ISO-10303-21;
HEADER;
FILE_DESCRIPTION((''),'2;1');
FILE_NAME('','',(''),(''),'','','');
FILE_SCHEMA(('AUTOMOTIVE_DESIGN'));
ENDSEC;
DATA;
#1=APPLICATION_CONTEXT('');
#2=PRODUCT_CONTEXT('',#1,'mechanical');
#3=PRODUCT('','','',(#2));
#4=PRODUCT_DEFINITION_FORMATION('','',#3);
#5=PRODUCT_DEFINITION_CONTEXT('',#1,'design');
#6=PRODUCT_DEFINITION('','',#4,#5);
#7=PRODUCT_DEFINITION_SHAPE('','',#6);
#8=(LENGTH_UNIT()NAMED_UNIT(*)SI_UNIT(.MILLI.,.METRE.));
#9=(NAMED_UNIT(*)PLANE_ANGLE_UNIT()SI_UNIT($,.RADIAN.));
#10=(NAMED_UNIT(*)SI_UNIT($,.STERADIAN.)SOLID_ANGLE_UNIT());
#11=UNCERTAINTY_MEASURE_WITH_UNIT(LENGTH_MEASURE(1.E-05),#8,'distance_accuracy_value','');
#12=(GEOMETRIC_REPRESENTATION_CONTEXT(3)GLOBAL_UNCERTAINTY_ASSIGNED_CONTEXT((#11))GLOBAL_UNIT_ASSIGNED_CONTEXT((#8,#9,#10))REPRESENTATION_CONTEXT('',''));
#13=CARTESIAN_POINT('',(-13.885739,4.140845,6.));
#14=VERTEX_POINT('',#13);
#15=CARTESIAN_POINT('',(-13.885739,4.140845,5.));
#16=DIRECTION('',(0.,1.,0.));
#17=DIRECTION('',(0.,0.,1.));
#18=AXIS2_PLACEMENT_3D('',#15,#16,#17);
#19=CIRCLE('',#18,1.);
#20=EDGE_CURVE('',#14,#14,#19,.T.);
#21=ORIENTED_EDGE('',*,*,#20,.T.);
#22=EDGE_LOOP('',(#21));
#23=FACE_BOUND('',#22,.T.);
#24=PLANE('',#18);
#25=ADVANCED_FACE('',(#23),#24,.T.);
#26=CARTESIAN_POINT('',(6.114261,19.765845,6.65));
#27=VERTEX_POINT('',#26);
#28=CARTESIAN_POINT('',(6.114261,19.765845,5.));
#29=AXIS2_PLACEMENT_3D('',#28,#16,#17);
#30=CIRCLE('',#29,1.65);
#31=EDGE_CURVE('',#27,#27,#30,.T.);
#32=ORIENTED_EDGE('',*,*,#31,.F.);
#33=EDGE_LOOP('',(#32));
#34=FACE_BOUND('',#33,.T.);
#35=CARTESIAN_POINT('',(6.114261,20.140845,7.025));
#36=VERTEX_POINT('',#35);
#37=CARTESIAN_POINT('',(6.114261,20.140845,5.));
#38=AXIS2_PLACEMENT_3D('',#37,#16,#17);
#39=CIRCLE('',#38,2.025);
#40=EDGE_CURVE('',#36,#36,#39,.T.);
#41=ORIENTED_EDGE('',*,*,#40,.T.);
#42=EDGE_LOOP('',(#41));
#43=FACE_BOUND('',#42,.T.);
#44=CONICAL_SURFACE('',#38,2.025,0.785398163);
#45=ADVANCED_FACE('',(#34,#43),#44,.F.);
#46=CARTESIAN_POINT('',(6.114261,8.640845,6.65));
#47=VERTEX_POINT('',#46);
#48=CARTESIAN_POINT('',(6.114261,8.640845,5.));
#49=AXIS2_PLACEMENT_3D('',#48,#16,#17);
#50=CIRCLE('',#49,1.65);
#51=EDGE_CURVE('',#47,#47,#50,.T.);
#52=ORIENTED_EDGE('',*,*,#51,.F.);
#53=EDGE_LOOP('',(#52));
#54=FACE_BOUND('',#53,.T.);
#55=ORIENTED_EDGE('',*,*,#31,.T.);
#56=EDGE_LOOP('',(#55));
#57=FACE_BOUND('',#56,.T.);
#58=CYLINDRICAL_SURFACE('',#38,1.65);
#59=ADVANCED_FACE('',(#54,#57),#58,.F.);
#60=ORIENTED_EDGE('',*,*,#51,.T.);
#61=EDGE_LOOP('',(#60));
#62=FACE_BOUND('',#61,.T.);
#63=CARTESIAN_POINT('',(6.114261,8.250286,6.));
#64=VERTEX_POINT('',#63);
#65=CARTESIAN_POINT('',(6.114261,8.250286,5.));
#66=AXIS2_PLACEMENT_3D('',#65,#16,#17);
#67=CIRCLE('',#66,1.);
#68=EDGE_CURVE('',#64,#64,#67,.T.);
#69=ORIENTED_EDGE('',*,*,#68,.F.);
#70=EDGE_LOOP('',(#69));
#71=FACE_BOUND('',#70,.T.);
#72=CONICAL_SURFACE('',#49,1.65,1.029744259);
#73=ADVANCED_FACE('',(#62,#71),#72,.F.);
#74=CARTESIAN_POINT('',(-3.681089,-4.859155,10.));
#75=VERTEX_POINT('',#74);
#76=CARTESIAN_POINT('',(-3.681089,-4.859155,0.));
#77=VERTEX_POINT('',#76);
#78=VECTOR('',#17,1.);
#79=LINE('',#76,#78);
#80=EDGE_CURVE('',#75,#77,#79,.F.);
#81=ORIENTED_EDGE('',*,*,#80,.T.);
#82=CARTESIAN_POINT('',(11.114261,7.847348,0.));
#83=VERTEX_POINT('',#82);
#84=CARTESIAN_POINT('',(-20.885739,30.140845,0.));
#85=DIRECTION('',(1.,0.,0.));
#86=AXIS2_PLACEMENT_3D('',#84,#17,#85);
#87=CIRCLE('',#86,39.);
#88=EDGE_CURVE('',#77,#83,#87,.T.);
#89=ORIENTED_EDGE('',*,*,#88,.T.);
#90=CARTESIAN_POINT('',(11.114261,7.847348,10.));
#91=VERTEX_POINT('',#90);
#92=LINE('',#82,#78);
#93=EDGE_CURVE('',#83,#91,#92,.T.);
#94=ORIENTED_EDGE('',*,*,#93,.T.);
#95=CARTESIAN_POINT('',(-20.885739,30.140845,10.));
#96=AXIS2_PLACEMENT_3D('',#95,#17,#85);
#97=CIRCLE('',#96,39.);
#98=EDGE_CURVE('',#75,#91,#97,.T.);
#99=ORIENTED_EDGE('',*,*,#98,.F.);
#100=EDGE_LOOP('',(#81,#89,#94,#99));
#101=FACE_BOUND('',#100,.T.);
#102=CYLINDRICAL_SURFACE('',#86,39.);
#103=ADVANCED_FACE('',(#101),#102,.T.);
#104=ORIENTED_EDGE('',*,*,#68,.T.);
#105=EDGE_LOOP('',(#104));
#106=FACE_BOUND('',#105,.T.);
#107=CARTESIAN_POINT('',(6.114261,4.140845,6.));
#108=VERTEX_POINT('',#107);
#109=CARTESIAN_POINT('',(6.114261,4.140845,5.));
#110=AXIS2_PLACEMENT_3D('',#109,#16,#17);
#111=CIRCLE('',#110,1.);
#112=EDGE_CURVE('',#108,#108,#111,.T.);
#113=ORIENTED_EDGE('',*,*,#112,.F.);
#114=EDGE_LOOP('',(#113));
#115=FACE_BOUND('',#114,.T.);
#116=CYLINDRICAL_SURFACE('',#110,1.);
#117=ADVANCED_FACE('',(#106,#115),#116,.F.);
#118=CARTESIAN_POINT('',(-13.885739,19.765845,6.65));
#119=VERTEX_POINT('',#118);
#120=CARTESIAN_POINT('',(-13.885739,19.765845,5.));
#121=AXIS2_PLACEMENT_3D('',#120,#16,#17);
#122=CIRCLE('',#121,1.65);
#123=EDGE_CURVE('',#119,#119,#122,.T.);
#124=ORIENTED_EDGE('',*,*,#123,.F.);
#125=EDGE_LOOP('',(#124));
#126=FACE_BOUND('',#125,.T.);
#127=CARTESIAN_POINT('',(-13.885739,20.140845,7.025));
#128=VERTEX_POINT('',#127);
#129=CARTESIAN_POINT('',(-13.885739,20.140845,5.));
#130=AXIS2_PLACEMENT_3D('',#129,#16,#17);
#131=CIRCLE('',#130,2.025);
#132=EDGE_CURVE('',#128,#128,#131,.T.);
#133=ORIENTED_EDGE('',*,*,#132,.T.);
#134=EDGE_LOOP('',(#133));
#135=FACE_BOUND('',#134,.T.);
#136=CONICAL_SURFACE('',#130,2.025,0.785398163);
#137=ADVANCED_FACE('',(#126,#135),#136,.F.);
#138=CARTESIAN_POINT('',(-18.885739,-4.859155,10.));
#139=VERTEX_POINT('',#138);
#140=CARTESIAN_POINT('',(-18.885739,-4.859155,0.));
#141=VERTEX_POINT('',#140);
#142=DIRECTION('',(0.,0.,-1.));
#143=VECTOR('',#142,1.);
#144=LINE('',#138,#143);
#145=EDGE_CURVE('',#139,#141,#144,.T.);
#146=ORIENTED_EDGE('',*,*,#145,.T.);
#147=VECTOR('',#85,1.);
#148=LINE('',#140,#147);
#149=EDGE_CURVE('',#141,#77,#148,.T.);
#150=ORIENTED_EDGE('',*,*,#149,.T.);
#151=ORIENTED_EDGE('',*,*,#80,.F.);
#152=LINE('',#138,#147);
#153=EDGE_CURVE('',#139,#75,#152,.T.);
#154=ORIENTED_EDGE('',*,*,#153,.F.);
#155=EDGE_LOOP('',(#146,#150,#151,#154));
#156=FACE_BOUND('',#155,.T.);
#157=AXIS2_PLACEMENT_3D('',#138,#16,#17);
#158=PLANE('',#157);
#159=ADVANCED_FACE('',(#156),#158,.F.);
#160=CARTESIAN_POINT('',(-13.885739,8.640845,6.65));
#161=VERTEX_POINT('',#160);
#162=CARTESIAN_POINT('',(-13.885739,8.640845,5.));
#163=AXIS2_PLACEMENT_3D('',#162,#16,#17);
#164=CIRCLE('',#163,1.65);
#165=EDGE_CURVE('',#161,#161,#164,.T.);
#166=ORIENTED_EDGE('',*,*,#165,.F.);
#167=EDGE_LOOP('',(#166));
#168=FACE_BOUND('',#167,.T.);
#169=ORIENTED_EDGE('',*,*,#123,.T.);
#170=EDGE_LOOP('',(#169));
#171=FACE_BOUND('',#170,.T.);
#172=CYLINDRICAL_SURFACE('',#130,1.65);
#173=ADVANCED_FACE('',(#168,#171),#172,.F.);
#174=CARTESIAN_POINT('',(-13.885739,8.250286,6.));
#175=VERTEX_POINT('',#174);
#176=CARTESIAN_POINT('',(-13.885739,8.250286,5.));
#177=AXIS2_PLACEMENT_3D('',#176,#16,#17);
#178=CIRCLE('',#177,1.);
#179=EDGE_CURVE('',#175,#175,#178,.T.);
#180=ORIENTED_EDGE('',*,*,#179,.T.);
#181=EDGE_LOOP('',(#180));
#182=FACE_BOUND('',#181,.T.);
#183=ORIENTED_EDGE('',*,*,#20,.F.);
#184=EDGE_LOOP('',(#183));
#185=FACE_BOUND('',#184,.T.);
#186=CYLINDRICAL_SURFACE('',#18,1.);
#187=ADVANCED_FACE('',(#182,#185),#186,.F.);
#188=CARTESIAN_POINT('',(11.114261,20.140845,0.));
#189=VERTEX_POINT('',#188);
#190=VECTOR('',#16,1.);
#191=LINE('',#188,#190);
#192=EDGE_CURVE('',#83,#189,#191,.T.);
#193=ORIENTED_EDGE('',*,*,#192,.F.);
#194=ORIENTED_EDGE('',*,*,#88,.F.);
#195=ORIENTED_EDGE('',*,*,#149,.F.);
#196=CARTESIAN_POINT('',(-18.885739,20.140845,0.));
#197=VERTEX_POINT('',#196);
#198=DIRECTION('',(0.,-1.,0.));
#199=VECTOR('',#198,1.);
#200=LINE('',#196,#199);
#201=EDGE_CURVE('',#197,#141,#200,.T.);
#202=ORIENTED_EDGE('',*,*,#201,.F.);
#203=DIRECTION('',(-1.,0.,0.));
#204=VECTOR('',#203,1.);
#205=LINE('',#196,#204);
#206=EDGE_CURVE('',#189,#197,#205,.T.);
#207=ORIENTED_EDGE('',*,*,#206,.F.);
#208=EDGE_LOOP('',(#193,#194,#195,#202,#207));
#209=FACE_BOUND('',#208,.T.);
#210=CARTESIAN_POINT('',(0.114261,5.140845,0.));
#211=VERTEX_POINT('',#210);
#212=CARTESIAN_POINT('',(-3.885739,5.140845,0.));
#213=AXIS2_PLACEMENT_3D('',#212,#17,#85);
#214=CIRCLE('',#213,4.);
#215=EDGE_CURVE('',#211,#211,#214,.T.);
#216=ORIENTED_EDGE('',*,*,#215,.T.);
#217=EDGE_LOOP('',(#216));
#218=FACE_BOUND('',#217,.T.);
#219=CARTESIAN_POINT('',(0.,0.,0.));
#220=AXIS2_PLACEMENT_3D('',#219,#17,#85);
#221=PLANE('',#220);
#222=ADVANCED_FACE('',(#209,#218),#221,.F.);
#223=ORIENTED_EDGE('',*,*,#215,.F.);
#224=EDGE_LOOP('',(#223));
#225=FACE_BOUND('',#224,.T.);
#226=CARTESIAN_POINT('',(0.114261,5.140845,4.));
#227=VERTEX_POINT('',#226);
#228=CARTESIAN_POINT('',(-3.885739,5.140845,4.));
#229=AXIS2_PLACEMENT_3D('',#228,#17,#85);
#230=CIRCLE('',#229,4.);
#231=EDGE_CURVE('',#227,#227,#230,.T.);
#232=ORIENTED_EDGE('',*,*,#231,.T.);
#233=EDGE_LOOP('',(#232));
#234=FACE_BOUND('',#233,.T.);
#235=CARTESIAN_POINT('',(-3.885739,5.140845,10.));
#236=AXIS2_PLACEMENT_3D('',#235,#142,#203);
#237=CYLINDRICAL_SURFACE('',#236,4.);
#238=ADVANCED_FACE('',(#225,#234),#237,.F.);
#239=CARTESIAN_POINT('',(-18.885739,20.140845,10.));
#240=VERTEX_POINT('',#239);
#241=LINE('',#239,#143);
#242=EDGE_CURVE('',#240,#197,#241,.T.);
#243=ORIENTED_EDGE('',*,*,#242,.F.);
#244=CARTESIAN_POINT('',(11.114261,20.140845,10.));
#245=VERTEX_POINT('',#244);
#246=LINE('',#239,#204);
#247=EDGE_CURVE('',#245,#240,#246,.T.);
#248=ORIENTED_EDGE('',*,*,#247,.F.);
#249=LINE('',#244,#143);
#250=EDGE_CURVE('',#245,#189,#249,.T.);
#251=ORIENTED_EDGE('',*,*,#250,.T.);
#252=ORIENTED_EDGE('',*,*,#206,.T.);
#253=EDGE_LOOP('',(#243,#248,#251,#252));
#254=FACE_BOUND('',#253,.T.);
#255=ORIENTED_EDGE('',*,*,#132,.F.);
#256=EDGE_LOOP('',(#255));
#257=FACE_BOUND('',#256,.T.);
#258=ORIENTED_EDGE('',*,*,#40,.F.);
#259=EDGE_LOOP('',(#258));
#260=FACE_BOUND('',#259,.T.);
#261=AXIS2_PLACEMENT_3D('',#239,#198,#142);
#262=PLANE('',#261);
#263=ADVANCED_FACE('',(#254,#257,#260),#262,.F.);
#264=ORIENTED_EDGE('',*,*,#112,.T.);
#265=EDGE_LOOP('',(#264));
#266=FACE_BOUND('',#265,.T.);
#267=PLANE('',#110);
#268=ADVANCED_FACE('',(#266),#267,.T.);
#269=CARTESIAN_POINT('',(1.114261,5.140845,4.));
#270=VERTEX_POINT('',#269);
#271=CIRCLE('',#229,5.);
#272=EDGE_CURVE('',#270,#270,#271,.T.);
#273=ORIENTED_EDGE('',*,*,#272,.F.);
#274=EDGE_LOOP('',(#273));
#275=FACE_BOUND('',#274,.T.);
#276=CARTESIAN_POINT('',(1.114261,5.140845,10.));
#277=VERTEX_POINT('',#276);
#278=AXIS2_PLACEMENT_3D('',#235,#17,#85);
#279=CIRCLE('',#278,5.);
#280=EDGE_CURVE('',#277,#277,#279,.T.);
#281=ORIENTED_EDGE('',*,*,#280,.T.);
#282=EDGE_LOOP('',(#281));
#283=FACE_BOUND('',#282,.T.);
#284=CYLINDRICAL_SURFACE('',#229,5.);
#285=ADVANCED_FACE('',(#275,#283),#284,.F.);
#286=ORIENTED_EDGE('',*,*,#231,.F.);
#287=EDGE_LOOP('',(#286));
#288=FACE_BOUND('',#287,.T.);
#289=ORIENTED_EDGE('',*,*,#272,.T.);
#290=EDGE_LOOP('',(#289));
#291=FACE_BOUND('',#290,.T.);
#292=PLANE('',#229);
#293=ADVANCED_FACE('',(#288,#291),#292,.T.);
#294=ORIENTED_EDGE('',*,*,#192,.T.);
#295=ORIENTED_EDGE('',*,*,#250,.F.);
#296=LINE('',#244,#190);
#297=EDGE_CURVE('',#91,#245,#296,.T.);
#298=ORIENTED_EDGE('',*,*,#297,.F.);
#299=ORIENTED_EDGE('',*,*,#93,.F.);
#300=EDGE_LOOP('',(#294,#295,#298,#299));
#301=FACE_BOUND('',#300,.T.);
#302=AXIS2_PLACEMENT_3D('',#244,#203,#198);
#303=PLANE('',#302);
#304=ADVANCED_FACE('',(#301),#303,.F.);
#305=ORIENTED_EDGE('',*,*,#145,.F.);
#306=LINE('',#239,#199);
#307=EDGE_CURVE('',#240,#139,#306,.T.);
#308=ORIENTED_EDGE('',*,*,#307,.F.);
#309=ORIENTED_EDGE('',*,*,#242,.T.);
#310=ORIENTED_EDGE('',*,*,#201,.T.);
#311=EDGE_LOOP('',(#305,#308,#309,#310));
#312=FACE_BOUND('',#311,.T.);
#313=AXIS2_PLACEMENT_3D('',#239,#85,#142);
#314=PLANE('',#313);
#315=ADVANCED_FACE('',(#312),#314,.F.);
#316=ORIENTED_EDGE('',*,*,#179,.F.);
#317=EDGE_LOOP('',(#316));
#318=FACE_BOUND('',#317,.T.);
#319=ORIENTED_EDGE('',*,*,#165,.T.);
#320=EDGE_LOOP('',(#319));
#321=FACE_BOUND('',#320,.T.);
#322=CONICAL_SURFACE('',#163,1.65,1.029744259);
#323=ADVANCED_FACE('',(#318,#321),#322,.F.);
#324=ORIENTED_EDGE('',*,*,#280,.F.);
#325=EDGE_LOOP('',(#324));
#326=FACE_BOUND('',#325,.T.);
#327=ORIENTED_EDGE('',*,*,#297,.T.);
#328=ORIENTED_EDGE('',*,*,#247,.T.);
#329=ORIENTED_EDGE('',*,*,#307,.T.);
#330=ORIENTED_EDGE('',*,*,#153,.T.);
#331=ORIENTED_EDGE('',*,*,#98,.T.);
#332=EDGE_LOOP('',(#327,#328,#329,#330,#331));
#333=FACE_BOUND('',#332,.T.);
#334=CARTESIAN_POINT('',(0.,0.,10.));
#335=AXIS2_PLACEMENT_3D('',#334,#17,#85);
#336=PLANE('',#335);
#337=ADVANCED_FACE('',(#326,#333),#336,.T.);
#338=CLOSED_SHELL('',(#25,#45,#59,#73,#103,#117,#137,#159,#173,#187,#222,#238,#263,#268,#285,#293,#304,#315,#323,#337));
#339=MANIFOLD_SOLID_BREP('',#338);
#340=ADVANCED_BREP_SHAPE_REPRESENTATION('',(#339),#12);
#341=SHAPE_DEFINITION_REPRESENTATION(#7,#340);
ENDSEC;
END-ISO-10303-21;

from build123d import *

# Parameters (mm, degrees)
SKIZZE1_W                       = 30
SKIZZE1_H                       = 25
SKIZZE1_R                       = 4
AUFSATZ_LINEAR_AUSTRAGEN1_DEPTH = 10
SKIZZE2_R                       = 5
SCHNITT_LINEAR_AUSTRAGEN1_DEPTH = 6
SKIZZE3_R                       = 1
SCHNITT_LINEAR_AUSTRAGEN2_DEPTH = 16
M4_GEWINDEBOHRUNG1_D            = 3.3
M4_GEWINDEBOHRUNG1_DEPTH        = 11.5
M4_GEWINDEBOHRUNG1_CSINK_D      = 4.05
M4_GEWINDEBOHRUNG1_CSINK_ANGLE  = 90
M4_GEWINDEBOHRUNG1_TIP          = 0.991420021
SKIZZE5_R                       = 51.207337477
SKIZZE5_R_2                     = 39
SCHNITT_LINEAR_AUSTRAGEN3_DEPTH = 10


with BuildPart() as part:
    # Skizze1 → Aufsatz-Linear austragen1 (new body)
    with BuildSketch(Plane.XY):
        with Locations((-3.885739266, 7.64084507)):
            Rectangle(SKIZZE1_W, SKIZZE1_H)
        with Locations((-3.885739266, 5.14084507)):
            Circle(SKIZZE1_R, mode=Mode.SUBTRACT)
    extrude(amount=AUFSATZ_LINEAR_AUSTRAGEN1_DEPTH)

    # Skizze2 → Schnitt-Linear austragen1 (cut)
    with BuildSketch(Plane.XY.offset(10)):
        with Locations((-3.885739266, 5.14084507)):
            Circle(SKIZZE2_R)
    extrude(amount=-SCHNITT_LINEAR_AUSTRAGEN1_DEPTH, mode=Mode.SUBTRACT)

    # Skizze3 → Schnitt-Linear austragen2 (cut)
    with BuildSketch(Plane(origin=(0, 20.14084507, 0), x_dir=(1, 0, 0), z_dir=(0, 1, 0))):
        with Locations(Location((-13.885739266, -5, 0), (0, 0, 270))):
            Circle(SKIZZE3_R)
        with Locations(Location((6.114260734, -5, 0), (0, 0, 270))):
            Circle(SKIZZE3_R)
    extrude(amount=-SCHNITT_LINEAR_AUSTRAGEN2_DEPTH, mode=Mode.SUBTRACT)

    # M4 Gewindebohrung1
    with Locations(Plane(origin=(-13.885739266, 20.14084507, 5), x_dir=(0, 0, 1), z_dir=(0, 1, 0))):
        with Locations((0, 0), (0, 20)):
            CounterSinkHole(M4_GEWINDEBOHRUNG1_D / 2, M4_GEWINDEBOHRUNG1_CSINK_D / 2, depth=M4_GEWINDEBOHRUNG1_DEPTH, counter_sink_angle=M4_GEWINDEBOHRUNG1_CSINK_ANGLE)
            with Locations((0, 0, -(M4_GEWINDEBOHRUNG1_DEPTH + M4_GEWINDEBOHRUNG1_TIP / 2))):  # 118° drill point
                Cone(0, M4_GEWINDEBOHRUNG1_D / 2, M4_GEWINDEBOHRUNG1_TIP, mode=Mode.SUBTRACT)

    # Skizze5 → Schnitt-Linear austragen3 (cut)
    with BuildSketch(Plane.XY.offset(10)):
        with Locations((-20.885739266, 30.14084507)):
            Circle(SKIZZE5_R)
        with Locations((-20.885739266, 30.14084507)):
            Circle(SKIZZE5_R_2, mode=Mode.SUBTRACT)
    extrude(amount=-SCHNITT_LINEAR_AUSTRAGEN3_DEPTH, mode=Mode.SUBTRACT)


solid = part.part
